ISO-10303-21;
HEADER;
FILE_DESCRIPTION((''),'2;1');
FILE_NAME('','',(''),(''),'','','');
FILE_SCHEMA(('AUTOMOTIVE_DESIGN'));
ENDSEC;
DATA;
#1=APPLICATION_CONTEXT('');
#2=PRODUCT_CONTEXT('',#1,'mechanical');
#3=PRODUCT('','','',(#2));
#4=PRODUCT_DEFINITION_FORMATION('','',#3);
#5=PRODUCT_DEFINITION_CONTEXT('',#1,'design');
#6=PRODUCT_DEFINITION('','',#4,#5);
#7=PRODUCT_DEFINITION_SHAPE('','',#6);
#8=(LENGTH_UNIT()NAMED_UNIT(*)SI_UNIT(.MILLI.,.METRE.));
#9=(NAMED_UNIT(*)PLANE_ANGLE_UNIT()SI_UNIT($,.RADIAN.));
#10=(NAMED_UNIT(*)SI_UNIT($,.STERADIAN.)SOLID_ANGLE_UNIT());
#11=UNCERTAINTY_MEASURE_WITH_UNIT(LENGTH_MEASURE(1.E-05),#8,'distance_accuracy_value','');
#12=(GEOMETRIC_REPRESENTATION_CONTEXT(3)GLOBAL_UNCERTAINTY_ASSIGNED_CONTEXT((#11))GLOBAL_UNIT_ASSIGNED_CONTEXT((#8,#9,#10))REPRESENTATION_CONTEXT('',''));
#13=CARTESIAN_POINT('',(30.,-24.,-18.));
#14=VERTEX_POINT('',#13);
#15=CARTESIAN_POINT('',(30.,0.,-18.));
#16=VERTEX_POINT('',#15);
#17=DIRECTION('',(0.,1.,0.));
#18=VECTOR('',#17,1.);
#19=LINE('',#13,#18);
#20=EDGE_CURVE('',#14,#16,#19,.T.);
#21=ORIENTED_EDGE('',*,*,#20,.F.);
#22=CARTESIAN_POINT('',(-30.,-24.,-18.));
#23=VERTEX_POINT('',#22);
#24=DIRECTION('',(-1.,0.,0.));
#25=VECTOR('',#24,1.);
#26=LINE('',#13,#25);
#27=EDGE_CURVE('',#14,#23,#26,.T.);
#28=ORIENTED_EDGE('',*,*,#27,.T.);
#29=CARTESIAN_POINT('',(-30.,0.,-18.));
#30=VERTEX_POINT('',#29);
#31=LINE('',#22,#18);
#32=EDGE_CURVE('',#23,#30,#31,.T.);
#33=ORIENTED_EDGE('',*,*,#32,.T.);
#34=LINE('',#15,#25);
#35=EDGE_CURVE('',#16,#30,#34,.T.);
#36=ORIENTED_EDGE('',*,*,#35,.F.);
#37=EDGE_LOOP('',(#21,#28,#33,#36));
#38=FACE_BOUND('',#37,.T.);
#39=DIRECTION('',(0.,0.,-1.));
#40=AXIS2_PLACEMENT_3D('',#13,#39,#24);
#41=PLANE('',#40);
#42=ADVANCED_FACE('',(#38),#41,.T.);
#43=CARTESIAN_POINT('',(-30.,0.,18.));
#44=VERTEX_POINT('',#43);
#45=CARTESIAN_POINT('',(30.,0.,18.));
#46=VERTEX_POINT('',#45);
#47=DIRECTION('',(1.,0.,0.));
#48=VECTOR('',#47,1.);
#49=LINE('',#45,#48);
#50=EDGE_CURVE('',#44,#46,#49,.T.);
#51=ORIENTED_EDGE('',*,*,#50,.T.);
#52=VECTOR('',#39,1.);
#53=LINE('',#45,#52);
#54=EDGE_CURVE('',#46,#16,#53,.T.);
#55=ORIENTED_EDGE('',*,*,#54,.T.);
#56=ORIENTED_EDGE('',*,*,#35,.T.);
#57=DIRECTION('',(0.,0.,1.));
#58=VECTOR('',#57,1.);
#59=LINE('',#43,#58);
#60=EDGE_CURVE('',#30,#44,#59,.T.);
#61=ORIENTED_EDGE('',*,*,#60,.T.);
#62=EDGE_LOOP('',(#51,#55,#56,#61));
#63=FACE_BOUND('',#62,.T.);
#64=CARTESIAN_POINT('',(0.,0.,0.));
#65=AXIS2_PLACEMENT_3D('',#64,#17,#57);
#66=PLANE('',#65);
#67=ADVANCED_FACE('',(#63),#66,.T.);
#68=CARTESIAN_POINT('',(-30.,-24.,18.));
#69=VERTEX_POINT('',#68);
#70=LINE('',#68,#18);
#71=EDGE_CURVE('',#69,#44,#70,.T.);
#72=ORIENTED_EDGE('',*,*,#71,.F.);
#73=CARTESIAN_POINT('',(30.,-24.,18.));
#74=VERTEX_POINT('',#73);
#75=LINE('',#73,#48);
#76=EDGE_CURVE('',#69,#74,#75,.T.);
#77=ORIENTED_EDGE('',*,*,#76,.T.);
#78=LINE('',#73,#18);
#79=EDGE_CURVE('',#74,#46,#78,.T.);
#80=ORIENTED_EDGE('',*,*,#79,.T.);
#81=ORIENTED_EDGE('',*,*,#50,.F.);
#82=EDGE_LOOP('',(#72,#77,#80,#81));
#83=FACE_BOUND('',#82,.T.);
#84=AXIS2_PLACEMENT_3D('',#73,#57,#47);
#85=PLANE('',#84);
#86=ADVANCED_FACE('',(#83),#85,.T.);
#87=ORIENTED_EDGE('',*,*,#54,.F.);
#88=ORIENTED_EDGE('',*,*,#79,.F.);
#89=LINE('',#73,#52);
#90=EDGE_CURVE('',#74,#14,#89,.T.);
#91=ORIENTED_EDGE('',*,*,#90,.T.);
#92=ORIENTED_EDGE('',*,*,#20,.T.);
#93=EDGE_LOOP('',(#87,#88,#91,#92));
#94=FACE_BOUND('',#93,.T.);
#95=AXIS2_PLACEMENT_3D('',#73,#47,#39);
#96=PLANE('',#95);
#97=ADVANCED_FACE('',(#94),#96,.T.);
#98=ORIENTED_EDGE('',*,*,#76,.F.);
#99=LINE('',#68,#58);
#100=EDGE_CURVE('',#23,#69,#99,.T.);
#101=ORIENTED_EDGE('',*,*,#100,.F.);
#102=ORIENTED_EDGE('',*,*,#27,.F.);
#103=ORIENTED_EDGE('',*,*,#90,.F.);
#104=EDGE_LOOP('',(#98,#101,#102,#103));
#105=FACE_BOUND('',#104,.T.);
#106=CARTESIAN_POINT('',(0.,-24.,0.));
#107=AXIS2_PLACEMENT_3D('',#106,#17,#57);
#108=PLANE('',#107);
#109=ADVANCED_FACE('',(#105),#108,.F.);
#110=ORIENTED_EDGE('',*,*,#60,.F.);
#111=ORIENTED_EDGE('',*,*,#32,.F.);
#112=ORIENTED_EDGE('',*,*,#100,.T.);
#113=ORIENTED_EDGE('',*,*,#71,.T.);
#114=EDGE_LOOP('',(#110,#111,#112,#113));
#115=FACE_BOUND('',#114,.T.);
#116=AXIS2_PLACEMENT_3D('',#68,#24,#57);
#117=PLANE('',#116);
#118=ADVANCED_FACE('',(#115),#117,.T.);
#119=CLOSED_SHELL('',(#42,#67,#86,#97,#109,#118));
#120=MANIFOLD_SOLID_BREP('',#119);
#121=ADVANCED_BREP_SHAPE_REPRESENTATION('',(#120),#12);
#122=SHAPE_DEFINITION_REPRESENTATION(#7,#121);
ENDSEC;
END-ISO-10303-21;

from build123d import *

# Parameters (mm, degrees)
SKETCH1_W           = 60
SKETCH1_H           = 36
BOSS_EXTRUDE1_DEPTH = 24


with BuildPart() as part:
    # Sketch1 → Boss-Extrude1 (new body)
    with BuildSketch(Plane(origin=(0, 0, 0), x_dir=(1, 0, 0), z_dir=(0, 1, 0))):
        Rectangle(SKETCH1_W, SKETCH1_H)
    extrude(amount=-BOSS_EXTRUDE1_DEPTH)


solid = part.part
